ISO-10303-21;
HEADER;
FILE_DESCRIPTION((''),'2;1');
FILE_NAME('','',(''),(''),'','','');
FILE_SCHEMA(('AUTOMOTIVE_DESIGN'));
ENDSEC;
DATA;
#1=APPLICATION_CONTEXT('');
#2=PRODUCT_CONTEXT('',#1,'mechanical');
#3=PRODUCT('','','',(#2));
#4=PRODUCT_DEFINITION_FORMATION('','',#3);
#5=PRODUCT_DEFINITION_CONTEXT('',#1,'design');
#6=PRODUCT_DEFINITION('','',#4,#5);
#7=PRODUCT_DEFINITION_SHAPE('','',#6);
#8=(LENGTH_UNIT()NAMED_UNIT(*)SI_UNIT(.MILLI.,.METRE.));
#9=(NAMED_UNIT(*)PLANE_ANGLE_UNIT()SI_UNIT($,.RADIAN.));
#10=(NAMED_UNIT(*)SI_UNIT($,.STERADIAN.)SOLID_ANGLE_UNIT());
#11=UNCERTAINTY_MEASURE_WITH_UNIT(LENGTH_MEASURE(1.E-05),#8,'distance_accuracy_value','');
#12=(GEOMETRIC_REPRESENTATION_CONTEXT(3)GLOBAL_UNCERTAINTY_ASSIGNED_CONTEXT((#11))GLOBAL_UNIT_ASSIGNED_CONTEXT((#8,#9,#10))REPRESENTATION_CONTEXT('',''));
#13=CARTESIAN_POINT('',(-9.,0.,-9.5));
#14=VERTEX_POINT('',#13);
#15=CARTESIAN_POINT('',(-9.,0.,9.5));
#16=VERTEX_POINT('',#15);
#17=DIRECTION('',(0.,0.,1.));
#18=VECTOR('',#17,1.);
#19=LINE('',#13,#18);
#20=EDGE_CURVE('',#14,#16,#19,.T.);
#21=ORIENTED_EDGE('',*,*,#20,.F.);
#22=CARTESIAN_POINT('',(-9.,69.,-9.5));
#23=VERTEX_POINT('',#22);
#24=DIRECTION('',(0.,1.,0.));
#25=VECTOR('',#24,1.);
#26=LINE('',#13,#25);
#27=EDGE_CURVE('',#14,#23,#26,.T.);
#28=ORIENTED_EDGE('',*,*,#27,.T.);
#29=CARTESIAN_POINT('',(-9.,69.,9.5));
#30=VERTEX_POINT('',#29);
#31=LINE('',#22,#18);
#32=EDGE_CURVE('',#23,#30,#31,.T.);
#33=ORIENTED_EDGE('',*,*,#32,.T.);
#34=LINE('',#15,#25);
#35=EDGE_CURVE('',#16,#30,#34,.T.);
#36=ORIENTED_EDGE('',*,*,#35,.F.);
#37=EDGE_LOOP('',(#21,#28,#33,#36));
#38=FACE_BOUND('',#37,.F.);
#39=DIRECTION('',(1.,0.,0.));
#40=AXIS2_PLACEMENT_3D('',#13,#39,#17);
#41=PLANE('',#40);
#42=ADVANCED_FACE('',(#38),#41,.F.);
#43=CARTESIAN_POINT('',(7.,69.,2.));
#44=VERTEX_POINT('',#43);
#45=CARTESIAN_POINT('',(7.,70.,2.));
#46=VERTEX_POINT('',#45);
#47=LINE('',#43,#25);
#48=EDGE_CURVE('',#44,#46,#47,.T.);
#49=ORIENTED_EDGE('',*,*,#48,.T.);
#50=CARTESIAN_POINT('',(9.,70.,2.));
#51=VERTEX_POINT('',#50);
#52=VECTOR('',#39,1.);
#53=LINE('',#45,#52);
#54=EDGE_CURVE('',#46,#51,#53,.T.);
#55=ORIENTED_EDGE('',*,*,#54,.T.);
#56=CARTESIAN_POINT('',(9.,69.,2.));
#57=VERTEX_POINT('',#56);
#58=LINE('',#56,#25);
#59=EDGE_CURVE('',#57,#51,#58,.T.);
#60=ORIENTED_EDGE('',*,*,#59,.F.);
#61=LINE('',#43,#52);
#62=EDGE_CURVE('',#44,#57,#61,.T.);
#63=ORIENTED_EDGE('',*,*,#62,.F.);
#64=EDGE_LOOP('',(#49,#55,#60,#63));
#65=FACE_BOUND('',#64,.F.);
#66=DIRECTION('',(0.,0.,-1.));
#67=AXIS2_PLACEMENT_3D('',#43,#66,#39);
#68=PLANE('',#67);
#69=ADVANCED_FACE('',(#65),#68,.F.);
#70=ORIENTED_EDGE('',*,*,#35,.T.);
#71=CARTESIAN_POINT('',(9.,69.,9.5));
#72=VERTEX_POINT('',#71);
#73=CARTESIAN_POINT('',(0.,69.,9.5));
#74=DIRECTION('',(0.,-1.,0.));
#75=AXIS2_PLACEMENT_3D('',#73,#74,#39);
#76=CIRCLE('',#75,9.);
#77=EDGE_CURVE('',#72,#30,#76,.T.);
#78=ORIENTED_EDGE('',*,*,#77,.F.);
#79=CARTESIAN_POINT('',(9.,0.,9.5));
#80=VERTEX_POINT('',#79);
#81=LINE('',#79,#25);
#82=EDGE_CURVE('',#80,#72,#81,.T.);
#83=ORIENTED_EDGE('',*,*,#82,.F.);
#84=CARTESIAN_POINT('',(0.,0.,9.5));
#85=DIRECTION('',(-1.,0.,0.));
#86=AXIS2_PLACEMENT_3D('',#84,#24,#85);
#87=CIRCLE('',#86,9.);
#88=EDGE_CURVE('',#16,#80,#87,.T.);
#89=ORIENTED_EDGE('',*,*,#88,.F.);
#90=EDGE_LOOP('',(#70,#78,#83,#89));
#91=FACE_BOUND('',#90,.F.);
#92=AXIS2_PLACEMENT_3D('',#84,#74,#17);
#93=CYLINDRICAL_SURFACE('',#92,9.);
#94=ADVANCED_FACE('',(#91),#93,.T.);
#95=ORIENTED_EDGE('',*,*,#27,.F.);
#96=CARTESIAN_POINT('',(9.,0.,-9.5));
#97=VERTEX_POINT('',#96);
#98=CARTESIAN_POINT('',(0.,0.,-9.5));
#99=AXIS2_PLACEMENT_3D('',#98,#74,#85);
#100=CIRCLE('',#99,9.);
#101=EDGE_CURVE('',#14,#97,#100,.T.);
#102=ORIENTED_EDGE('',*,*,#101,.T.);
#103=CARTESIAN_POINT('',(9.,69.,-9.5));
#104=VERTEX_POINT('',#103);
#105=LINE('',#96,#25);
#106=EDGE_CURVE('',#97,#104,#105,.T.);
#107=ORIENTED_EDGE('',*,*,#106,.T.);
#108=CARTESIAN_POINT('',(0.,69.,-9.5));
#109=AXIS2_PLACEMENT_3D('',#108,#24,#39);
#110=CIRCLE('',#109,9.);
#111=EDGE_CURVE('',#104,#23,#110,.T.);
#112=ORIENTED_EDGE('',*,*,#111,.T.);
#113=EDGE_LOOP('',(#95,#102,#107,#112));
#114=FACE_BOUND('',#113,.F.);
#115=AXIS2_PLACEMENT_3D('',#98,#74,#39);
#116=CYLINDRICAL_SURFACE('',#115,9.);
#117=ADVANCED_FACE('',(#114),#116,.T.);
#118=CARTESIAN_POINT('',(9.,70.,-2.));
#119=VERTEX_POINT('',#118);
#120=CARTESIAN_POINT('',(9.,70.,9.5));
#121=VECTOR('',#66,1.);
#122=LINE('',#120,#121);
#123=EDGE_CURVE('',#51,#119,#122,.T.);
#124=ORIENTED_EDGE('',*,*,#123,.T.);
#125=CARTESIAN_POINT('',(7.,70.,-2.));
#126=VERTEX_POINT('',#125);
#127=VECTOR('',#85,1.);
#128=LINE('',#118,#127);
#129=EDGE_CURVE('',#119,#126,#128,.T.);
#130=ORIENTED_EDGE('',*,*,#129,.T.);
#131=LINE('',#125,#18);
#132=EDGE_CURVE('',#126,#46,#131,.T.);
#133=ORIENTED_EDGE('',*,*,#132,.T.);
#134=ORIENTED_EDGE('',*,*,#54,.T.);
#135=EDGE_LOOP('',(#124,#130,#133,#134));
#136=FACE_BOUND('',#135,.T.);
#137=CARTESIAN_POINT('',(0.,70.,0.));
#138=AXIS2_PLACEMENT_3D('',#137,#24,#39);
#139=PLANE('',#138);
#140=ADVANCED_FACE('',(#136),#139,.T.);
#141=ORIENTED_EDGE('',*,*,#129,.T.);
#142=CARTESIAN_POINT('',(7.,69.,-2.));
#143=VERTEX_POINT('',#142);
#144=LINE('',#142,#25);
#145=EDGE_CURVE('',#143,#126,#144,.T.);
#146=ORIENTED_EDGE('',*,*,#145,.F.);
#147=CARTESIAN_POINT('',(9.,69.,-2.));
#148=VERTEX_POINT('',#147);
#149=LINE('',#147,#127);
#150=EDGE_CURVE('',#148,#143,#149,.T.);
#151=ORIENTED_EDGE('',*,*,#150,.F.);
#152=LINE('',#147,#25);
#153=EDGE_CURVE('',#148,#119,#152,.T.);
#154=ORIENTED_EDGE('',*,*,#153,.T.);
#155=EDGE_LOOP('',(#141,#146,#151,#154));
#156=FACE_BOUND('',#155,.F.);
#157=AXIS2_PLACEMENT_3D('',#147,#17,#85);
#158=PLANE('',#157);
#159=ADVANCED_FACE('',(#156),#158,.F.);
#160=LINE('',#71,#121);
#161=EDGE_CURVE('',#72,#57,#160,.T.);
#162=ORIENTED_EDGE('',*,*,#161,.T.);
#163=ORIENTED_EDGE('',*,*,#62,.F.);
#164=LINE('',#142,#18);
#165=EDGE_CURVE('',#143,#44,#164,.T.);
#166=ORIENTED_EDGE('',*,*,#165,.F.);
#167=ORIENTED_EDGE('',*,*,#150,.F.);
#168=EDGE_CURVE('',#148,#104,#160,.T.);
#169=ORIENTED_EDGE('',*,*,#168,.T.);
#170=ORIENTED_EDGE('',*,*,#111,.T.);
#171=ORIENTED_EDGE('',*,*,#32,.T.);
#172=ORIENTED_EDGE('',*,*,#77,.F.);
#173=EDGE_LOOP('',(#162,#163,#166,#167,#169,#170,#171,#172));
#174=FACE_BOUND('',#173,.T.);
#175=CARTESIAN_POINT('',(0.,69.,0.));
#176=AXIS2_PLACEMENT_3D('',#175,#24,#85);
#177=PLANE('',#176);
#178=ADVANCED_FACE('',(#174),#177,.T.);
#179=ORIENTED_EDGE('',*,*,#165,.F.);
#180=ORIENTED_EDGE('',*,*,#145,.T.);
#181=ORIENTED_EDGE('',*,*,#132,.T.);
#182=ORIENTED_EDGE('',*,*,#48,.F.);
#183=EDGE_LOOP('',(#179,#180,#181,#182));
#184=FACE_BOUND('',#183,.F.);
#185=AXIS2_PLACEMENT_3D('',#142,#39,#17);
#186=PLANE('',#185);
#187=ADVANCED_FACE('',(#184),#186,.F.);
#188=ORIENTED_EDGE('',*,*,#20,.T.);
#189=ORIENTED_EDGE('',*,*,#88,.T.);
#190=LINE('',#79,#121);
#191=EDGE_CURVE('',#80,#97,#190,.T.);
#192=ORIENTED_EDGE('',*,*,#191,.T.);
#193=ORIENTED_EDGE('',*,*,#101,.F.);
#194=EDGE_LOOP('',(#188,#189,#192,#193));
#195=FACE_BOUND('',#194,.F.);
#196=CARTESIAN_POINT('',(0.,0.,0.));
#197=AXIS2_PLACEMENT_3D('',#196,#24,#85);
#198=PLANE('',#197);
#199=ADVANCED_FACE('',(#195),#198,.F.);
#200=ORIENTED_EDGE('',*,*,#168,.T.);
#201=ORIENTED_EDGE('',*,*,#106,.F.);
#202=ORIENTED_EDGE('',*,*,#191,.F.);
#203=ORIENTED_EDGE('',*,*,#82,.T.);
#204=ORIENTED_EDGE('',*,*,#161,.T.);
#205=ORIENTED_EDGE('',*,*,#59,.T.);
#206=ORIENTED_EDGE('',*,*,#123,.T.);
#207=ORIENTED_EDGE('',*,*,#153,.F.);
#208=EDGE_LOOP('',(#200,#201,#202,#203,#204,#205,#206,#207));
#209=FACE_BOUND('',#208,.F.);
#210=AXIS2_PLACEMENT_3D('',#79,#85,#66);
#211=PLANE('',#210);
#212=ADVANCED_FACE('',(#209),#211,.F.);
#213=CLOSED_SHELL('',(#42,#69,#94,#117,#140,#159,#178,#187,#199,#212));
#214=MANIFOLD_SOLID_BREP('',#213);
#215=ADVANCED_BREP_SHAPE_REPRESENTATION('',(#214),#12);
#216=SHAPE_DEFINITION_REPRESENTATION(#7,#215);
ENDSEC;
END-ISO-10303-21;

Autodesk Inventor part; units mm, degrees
ref_plane "YZ Plane" through (0, 0, 0) normal (1, 0, 0) x (0, 1, 0)
ref_plane "XZ Plane" through (0, 0, 0) normal (0, 1, 0) x (-1, 0, 0)
ref_plane "XY Plane" through (0, 0, 0) normal (0, 0, 1) x (1, 0, 0)
sketch "Sketch1" plane through (0, 0, 0) normal (0, 1, 0) x (-1, 0, 0)
  line L0 (0, 18.5) -> (0, 18.5)
  line L1 (-9, 9.5) -> (-9, -9.5)
  line L2 (0, -18.5) -> (0, -18.5)
  line L3 (9, -9.5) -> (9, 9.5)
  arc A0 (9, 9.5) -> (0, 18.5) centre (0, 9.5) ccw
  arc A1 (0, -18.5) -> (9, -9.5) centre (0, -9.5) ccw
  arc A2 (-9, -9.5) -> (0, -18.5) centre (0, -9.5) ccw
  arc A3 (0, 18.5) -> (-9, 9.5) centre (0, 9.5) ccw
  point P0 (0, 0)
  point P1 (-9, -18.5)
  point P2 (-9, 18.5)
  point P3 (9, -18.5)
  point P4 (0, -18.5)
  dimension "d0" = 18
  dimension "d1" = 37
  dimension "d2" = 18.5
  dimension "d3" = 9
  dimension "d4" = 9
extrude "Extrusion1" add sketch "Sketch1" along normal blind 69
sketch "Sketch2" plane through (0, 69, 0) normal (0, 1, 0) x (1, 0, 0)
  line L0 (9, -9.5) -> (9, 9.5) projected
  line L1 (9, 2) -> (7, 2)
  line L2 (7, 2) -> (7, -2)
  line L3 (7, -2) -> (9, -2)
  line L4 (9, -2) -> (9, 2)
  point P0 (0, 0)
  dimension "d7" = 2
  dimension "d8" = 4
  dimension "d9" = 2
extrude "Extrusion2" add sketch "Sketch2" along normal blind 1
equation "\"d2\" = 0.5 * d1"
equation "\"d3\" = 0.5 * d0"
equation "\"d8\" = 2 * d7"
equation "\"d9\" = 0.5 * d8"
properties part number "Battery"
